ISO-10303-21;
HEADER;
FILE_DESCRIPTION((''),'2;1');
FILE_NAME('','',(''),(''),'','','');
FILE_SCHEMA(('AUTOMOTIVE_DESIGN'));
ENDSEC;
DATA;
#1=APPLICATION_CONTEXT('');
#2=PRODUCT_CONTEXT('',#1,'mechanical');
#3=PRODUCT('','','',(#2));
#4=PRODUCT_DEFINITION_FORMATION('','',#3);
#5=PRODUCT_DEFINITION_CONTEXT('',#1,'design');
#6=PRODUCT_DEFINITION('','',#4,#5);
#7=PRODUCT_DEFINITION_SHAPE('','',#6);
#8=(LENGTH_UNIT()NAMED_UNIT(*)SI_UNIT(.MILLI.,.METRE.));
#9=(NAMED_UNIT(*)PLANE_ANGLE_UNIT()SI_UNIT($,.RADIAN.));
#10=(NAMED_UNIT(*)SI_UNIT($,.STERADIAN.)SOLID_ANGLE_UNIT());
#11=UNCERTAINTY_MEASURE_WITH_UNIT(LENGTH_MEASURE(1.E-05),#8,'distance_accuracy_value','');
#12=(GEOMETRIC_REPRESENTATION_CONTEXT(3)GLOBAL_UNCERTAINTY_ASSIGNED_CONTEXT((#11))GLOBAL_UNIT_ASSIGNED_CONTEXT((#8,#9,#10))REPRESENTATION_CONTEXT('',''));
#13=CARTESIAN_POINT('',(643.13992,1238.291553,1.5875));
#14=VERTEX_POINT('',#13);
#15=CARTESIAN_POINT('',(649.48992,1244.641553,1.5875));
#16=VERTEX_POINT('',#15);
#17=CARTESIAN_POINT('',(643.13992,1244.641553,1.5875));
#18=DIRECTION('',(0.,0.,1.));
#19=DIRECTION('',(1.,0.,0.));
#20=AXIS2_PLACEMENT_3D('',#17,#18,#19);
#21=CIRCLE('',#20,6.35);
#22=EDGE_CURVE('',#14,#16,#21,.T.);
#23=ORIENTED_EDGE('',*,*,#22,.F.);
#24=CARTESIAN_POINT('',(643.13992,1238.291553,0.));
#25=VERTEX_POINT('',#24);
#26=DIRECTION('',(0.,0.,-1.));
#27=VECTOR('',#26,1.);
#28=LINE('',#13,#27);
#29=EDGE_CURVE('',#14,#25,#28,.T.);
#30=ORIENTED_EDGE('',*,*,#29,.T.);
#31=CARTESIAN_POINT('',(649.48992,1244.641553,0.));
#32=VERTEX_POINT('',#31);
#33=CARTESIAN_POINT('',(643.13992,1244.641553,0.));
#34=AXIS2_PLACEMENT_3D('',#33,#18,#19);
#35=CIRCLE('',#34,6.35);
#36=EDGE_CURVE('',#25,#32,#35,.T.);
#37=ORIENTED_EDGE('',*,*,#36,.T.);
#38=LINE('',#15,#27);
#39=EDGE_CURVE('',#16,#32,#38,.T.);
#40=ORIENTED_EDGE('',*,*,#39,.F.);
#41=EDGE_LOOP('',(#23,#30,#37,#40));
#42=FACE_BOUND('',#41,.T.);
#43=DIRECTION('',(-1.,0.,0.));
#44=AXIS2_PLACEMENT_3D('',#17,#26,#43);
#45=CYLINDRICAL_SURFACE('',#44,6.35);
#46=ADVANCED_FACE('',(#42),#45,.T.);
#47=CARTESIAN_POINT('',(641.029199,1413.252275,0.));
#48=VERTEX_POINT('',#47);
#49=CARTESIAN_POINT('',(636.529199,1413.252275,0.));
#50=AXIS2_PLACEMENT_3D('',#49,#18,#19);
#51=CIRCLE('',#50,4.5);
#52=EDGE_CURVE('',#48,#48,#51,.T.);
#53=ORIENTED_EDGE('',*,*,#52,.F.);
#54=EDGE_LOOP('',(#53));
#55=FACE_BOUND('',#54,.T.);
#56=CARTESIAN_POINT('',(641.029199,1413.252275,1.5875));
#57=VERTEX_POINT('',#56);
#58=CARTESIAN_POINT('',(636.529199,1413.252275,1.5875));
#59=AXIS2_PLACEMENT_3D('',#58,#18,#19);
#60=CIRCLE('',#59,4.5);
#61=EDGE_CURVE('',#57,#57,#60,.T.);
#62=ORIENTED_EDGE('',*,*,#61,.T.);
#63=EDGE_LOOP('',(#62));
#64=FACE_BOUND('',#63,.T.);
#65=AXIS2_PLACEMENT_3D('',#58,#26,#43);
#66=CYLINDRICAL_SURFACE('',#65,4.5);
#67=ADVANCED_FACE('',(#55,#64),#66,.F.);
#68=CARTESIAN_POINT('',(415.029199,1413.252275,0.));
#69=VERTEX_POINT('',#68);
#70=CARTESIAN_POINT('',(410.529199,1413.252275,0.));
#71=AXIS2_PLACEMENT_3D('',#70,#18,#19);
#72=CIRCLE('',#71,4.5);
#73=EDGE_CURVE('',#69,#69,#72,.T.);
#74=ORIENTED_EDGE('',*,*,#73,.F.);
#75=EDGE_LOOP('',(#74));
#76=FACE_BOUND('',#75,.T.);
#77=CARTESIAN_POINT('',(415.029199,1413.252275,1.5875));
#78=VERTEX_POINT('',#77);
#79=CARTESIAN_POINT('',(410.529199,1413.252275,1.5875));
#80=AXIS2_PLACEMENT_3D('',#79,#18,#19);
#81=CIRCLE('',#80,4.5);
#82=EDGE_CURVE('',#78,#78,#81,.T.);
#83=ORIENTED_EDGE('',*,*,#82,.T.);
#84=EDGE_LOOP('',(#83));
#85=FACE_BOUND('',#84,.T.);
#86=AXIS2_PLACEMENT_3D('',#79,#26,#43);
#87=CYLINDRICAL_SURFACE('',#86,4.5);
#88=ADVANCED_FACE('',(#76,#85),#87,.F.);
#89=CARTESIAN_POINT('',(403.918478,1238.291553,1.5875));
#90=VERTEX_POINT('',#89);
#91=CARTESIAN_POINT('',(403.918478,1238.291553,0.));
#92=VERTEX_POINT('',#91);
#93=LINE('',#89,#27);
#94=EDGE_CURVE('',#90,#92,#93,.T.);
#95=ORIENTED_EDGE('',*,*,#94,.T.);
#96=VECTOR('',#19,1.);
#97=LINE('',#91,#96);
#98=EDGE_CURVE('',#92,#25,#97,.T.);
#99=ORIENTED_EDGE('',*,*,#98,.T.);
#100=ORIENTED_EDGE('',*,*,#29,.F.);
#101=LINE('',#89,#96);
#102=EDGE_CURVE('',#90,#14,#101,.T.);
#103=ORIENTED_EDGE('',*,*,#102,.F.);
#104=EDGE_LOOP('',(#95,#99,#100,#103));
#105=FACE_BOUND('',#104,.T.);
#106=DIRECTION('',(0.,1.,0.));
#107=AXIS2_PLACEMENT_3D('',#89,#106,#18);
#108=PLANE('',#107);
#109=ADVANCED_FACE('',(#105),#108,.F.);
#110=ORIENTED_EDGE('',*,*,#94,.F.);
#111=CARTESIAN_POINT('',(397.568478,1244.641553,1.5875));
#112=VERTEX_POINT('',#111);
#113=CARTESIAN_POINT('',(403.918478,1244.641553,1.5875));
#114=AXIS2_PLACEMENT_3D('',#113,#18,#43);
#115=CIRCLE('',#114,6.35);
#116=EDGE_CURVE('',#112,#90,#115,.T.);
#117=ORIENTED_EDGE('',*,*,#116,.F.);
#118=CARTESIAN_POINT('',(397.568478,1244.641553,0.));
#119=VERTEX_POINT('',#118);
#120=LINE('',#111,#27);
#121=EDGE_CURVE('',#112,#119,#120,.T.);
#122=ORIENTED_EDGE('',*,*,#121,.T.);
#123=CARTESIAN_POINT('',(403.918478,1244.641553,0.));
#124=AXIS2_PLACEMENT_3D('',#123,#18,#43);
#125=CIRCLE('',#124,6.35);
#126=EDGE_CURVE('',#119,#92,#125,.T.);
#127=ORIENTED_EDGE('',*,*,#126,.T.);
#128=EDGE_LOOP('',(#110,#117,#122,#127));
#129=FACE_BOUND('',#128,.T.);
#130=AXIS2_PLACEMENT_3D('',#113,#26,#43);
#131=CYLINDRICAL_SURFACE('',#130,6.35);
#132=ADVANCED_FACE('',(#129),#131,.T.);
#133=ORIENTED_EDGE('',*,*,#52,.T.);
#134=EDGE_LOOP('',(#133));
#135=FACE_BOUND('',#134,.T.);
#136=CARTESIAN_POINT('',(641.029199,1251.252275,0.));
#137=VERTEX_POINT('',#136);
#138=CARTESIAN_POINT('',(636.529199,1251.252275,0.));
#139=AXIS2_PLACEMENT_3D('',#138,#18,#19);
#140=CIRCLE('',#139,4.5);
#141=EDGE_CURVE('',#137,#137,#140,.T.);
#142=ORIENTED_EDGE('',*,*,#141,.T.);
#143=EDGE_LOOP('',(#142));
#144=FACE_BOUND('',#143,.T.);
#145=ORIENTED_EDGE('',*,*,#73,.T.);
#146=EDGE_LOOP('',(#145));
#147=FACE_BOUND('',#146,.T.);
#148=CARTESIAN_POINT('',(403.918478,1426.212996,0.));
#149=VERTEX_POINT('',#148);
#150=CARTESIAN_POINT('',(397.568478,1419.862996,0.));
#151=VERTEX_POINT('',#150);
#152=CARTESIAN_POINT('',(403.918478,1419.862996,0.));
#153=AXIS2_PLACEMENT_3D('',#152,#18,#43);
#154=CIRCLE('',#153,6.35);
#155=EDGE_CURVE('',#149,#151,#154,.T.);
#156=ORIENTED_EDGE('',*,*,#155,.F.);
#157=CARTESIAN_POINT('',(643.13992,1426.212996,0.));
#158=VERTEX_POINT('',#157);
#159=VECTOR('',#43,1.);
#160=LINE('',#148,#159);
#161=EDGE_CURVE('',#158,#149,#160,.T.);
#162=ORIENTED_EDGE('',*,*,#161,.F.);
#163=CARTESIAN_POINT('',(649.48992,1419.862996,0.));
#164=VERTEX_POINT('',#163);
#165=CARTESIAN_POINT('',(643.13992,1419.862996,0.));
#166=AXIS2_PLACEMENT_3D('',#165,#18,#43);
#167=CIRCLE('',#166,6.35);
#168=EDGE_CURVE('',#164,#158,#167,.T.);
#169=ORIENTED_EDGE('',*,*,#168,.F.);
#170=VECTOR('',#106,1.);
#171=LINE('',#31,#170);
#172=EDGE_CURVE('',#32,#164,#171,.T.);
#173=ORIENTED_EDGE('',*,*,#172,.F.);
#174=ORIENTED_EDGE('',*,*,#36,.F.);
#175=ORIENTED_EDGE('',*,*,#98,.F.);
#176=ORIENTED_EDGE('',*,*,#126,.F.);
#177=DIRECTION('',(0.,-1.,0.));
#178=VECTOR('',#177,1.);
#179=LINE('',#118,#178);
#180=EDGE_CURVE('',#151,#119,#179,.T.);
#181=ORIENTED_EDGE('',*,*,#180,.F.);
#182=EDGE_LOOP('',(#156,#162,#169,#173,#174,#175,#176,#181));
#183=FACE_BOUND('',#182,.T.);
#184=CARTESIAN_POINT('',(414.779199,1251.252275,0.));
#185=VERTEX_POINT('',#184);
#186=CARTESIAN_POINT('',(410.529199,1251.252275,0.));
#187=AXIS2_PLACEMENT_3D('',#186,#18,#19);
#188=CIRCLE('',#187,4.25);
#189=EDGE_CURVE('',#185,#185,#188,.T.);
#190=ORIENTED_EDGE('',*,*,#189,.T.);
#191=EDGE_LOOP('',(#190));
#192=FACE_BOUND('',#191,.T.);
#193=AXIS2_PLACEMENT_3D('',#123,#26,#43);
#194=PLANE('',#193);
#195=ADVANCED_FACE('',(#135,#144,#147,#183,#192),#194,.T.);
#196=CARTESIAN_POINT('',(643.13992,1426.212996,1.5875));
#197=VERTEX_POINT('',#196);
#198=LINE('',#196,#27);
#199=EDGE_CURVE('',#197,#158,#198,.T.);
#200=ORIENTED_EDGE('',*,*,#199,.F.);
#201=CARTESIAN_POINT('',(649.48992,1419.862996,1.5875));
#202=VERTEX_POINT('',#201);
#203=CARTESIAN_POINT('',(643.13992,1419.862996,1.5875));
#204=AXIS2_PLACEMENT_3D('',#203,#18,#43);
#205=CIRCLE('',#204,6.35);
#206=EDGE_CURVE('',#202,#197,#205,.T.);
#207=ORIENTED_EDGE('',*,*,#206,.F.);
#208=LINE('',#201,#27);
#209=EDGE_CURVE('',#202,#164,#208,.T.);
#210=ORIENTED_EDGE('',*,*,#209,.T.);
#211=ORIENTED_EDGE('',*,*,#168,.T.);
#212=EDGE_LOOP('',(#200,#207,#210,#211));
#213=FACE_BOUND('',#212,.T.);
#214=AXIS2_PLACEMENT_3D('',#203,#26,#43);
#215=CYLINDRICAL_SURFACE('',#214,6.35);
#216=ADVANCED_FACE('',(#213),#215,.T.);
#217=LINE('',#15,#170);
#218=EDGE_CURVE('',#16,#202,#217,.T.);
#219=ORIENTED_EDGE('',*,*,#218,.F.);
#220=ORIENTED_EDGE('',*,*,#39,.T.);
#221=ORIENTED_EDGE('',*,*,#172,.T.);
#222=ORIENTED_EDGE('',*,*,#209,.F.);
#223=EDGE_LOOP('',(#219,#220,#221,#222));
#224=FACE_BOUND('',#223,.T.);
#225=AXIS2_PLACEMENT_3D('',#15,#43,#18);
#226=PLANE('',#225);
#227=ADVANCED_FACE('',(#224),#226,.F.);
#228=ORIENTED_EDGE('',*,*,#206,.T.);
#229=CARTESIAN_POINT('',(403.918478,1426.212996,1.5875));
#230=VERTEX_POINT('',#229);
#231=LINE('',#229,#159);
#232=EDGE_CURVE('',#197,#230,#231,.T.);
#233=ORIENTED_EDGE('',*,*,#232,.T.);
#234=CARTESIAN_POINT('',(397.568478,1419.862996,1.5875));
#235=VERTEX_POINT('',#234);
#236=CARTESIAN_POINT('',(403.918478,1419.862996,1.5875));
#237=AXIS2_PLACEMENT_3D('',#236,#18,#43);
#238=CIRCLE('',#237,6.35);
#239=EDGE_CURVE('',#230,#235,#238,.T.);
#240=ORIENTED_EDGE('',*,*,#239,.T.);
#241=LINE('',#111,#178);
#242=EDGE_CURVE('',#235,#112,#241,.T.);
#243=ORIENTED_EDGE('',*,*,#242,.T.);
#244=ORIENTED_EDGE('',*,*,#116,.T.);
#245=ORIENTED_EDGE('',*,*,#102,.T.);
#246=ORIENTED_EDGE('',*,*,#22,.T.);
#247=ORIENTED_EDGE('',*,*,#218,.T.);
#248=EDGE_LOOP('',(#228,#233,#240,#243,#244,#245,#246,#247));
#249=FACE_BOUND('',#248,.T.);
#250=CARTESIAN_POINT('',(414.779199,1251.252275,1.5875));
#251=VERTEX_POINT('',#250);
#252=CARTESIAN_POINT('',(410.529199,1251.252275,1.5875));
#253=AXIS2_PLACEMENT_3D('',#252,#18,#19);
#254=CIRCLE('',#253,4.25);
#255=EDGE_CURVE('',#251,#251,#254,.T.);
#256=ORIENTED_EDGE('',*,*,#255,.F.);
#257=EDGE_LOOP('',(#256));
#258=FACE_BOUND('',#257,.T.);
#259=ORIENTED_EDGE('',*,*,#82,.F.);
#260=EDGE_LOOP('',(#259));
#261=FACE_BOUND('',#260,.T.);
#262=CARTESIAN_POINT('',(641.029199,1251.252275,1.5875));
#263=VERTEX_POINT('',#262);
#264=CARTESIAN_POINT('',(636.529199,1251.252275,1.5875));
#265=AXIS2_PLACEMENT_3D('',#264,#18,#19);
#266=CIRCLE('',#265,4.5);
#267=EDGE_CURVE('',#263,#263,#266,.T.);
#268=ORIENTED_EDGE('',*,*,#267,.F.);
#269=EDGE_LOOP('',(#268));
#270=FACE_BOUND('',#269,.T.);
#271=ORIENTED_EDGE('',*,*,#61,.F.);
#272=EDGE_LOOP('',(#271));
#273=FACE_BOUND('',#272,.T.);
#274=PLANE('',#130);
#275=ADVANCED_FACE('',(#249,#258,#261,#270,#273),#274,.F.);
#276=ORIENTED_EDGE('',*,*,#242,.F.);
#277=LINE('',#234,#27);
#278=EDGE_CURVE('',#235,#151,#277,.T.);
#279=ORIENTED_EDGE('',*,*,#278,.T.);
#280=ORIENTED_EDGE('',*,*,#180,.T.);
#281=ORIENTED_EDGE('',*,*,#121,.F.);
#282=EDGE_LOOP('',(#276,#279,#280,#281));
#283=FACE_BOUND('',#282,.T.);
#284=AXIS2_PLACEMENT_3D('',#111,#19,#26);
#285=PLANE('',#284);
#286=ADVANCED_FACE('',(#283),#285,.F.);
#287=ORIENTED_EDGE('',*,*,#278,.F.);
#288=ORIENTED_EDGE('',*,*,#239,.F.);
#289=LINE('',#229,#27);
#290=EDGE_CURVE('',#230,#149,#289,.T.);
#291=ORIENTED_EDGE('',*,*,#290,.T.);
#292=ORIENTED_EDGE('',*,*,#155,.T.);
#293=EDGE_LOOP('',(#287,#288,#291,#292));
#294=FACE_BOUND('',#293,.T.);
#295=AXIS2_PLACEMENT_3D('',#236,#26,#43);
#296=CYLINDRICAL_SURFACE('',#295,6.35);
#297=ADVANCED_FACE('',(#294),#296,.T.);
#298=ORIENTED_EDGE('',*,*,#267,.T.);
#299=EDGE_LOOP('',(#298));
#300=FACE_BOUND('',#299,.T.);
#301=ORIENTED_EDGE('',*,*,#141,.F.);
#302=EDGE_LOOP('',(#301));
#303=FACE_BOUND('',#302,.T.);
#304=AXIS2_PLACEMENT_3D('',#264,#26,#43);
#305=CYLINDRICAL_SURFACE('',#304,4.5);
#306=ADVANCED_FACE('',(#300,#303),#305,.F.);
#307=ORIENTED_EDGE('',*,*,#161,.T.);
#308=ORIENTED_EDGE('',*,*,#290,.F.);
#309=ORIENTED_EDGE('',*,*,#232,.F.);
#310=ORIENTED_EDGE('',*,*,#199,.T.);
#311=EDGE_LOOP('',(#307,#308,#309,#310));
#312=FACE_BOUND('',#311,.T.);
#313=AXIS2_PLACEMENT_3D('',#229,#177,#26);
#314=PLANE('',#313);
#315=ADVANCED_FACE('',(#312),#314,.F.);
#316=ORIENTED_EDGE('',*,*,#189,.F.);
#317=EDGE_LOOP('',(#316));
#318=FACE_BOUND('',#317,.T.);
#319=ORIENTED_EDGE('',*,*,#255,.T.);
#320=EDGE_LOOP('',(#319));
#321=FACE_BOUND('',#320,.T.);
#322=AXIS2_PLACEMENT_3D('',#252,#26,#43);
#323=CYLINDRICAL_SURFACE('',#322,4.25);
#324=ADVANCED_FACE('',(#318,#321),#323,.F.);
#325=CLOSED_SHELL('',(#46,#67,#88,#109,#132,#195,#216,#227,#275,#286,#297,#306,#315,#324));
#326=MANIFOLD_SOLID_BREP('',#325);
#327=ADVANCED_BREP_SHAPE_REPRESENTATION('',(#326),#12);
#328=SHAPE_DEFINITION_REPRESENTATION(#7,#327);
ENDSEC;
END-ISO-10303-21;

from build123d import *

# Parameters (mm, degrees)
SKETCH1_R           = 4.5
SKETCH1_R_2         = 4.25
BOSS_EXTRUDE1_DEPTH = 1.5875


with BuildPart() as part:
    # Sketch1 → Boss-Extrude1 (new body)
    with BuildSketch(Plane.XY):
        with BuildLine():
            Line((403.918477618, 1238.291553465), (643.139919853, 1238.291553465))
            ThreePointArc((643.139919853, 1238.291553465), (647.630047914, 1240.151425405), (649.489919853, 1244.641553465))
            Line((649.489919853, 1244.641553465), (649.489919853, 1419.8629957))
            ThreePointArc((649.489919853, 1419.8629957), (647.630047914, 1424.353123761), (643.139919853, 1426.2129957))
            Line((643.139919853, 1426.2129957), (403.918477618, 1426.2129957))
            ThreePointArc((403.918477618, 1426.2129957), (399.428349557, 1424.353123761), (397.568477618, 1419.8629957))
            Line((397.568477618, 1419.8629957), (397.568477618, 1244.641553465))
            ThreePointArc((397.568477618, 1244.641553465), (399.428349557, 1240.151425405), (403.918477618, 1238.291553465))
        make_face()
        with Locations((410.529198736, 1413.252274583)):
            Circle(SKETCH1_R, mode=Mode.SUBTRACT)
        with Locations((636.529198736, 1413.252274583)):
            Circle(SKETCH1_R, mode=Mode.SUBTRACT)
        with Locations((636.529198736, 1251.252274583)):
            Circle(SKETCH1_R, mode=Mode.SUBTRACT)
        with Locations((410.529198736, 1251.252274583)):
            Circle(SKETCH1_R_2, mode=Mode.SUBTRACT)
    extrude(amount=BOSS_EXTRUDE1_DEPTH)


solid = part.part
